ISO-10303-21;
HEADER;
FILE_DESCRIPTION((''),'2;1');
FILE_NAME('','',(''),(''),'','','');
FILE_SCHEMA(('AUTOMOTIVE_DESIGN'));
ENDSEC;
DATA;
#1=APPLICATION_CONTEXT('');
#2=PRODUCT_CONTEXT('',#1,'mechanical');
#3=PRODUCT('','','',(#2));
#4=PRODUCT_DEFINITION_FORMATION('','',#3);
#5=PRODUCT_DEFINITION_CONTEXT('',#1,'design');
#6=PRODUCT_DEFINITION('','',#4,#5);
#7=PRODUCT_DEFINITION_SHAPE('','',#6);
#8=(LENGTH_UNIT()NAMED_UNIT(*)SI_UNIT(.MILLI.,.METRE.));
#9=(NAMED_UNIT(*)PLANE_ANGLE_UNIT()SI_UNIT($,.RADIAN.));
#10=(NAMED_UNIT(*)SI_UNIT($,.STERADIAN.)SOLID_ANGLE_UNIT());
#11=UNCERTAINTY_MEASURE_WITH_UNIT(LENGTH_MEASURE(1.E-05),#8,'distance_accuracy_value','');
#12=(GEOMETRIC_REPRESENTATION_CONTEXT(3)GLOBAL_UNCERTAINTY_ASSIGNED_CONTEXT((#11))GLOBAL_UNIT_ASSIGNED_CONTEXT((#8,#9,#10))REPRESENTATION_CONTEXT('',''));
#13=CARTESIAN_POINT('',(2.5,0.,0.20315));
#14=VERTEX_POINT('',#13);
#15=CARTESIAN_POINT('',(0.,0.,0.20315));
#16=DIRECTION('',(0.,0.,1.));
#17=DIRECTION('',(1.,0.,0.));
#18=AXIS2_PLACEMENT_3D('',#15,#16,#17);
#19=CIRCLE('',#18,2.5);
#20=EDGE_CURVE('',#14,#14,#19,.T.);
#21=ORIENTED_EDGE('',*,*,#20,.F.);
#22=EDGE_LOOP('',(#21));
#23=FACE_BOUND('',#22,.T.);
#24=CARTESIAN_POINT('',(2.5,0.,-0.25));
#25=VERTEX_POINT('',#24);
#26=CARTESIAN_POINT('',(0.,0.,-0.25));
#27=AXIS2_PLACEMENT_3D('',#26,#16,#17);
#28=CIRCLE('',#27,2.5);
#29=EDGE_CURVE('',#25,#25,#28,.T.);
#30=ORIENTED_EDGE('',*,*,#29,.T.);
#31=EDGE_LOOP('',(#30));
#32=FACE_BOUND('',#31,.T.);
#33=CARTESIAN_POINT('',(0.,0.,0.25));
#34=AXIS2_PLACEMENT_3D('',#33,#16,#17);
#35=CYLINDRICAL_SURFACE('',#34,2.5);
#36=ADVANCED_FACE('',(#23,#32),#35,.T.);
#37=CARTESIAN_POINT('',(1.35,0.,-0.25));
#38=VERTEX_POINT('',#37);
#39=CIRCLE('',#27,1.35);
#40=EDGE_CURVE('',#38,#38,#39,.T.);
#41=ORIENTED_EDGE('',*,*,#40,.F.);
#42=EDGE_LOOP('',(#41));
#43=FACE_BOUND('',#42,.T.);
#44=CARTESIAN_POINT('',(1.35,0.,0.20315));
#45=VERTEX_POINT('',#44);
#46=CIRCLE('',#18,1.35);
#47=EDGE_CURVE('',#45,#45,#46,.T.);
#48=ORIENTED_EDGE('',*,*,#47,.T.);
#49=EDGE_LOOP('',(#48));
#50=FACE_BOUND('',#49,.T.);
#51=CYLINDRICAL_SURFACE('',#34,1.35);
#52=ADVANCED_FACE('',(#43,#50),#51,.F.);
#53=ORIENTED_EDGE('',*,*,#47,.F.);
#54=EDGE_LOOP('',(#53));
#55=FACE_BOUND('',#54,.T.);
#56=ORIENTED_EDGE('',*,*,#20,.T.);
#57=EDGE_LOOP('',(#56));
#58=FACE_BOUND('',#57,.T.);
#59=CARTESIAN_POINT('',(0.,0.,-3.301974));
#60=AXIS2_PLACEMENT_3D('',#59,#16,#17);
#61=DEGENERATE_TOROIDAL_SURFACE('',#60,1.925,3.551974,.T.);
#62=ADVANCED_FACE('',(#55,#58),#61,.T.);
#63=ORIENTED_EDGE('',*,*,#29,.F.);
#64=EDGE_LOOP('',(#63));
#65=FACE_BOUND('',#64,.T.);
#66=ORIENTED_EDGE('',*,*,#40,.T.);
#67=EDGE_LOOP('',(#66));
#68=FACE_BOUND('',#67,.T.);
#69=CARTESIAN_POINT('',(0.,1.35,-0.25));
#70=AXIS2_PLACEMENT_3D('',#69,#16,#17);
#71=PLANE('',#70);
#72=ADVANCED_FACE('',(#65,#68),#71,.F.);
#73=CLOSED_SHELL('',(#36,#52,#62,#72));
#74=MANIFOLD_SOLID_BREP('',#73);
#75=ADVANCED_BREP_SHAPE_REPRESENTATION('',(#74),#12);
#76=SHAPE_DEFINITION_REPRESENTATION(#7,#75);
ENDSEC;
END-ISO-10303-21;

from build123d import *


with BuildPart() as part:
    # Sketch3 → Revolve1 (revolve)
    with BuildSketch(Plane(origin=(0, 0, 0), x_dir=(0, 0, -1), z_dir=(1, 0, 0)), mode=Mode.PRIVATE) as revolve1_sk:
        with BuildLine():
            Line((0.25, 2.5), (-0.20315, 2.5))
            ThreePointArc((-0.20315, 2.5), (-0.25, 1.925), (-0.20315, 1.35))
            Line((-0.20315, 1.35), (0.25, 1.35))
            Line((0.25, 1.35), (0.25, 2.5))
        make_face()
    revolve(revolve1_sk.sketch.rotate(Axis((0, 0, 0.25), (0, 0, -1)), 90), axis=Axis((0, 0, 0.25), (0, 0, -1)))


solid = part.part
